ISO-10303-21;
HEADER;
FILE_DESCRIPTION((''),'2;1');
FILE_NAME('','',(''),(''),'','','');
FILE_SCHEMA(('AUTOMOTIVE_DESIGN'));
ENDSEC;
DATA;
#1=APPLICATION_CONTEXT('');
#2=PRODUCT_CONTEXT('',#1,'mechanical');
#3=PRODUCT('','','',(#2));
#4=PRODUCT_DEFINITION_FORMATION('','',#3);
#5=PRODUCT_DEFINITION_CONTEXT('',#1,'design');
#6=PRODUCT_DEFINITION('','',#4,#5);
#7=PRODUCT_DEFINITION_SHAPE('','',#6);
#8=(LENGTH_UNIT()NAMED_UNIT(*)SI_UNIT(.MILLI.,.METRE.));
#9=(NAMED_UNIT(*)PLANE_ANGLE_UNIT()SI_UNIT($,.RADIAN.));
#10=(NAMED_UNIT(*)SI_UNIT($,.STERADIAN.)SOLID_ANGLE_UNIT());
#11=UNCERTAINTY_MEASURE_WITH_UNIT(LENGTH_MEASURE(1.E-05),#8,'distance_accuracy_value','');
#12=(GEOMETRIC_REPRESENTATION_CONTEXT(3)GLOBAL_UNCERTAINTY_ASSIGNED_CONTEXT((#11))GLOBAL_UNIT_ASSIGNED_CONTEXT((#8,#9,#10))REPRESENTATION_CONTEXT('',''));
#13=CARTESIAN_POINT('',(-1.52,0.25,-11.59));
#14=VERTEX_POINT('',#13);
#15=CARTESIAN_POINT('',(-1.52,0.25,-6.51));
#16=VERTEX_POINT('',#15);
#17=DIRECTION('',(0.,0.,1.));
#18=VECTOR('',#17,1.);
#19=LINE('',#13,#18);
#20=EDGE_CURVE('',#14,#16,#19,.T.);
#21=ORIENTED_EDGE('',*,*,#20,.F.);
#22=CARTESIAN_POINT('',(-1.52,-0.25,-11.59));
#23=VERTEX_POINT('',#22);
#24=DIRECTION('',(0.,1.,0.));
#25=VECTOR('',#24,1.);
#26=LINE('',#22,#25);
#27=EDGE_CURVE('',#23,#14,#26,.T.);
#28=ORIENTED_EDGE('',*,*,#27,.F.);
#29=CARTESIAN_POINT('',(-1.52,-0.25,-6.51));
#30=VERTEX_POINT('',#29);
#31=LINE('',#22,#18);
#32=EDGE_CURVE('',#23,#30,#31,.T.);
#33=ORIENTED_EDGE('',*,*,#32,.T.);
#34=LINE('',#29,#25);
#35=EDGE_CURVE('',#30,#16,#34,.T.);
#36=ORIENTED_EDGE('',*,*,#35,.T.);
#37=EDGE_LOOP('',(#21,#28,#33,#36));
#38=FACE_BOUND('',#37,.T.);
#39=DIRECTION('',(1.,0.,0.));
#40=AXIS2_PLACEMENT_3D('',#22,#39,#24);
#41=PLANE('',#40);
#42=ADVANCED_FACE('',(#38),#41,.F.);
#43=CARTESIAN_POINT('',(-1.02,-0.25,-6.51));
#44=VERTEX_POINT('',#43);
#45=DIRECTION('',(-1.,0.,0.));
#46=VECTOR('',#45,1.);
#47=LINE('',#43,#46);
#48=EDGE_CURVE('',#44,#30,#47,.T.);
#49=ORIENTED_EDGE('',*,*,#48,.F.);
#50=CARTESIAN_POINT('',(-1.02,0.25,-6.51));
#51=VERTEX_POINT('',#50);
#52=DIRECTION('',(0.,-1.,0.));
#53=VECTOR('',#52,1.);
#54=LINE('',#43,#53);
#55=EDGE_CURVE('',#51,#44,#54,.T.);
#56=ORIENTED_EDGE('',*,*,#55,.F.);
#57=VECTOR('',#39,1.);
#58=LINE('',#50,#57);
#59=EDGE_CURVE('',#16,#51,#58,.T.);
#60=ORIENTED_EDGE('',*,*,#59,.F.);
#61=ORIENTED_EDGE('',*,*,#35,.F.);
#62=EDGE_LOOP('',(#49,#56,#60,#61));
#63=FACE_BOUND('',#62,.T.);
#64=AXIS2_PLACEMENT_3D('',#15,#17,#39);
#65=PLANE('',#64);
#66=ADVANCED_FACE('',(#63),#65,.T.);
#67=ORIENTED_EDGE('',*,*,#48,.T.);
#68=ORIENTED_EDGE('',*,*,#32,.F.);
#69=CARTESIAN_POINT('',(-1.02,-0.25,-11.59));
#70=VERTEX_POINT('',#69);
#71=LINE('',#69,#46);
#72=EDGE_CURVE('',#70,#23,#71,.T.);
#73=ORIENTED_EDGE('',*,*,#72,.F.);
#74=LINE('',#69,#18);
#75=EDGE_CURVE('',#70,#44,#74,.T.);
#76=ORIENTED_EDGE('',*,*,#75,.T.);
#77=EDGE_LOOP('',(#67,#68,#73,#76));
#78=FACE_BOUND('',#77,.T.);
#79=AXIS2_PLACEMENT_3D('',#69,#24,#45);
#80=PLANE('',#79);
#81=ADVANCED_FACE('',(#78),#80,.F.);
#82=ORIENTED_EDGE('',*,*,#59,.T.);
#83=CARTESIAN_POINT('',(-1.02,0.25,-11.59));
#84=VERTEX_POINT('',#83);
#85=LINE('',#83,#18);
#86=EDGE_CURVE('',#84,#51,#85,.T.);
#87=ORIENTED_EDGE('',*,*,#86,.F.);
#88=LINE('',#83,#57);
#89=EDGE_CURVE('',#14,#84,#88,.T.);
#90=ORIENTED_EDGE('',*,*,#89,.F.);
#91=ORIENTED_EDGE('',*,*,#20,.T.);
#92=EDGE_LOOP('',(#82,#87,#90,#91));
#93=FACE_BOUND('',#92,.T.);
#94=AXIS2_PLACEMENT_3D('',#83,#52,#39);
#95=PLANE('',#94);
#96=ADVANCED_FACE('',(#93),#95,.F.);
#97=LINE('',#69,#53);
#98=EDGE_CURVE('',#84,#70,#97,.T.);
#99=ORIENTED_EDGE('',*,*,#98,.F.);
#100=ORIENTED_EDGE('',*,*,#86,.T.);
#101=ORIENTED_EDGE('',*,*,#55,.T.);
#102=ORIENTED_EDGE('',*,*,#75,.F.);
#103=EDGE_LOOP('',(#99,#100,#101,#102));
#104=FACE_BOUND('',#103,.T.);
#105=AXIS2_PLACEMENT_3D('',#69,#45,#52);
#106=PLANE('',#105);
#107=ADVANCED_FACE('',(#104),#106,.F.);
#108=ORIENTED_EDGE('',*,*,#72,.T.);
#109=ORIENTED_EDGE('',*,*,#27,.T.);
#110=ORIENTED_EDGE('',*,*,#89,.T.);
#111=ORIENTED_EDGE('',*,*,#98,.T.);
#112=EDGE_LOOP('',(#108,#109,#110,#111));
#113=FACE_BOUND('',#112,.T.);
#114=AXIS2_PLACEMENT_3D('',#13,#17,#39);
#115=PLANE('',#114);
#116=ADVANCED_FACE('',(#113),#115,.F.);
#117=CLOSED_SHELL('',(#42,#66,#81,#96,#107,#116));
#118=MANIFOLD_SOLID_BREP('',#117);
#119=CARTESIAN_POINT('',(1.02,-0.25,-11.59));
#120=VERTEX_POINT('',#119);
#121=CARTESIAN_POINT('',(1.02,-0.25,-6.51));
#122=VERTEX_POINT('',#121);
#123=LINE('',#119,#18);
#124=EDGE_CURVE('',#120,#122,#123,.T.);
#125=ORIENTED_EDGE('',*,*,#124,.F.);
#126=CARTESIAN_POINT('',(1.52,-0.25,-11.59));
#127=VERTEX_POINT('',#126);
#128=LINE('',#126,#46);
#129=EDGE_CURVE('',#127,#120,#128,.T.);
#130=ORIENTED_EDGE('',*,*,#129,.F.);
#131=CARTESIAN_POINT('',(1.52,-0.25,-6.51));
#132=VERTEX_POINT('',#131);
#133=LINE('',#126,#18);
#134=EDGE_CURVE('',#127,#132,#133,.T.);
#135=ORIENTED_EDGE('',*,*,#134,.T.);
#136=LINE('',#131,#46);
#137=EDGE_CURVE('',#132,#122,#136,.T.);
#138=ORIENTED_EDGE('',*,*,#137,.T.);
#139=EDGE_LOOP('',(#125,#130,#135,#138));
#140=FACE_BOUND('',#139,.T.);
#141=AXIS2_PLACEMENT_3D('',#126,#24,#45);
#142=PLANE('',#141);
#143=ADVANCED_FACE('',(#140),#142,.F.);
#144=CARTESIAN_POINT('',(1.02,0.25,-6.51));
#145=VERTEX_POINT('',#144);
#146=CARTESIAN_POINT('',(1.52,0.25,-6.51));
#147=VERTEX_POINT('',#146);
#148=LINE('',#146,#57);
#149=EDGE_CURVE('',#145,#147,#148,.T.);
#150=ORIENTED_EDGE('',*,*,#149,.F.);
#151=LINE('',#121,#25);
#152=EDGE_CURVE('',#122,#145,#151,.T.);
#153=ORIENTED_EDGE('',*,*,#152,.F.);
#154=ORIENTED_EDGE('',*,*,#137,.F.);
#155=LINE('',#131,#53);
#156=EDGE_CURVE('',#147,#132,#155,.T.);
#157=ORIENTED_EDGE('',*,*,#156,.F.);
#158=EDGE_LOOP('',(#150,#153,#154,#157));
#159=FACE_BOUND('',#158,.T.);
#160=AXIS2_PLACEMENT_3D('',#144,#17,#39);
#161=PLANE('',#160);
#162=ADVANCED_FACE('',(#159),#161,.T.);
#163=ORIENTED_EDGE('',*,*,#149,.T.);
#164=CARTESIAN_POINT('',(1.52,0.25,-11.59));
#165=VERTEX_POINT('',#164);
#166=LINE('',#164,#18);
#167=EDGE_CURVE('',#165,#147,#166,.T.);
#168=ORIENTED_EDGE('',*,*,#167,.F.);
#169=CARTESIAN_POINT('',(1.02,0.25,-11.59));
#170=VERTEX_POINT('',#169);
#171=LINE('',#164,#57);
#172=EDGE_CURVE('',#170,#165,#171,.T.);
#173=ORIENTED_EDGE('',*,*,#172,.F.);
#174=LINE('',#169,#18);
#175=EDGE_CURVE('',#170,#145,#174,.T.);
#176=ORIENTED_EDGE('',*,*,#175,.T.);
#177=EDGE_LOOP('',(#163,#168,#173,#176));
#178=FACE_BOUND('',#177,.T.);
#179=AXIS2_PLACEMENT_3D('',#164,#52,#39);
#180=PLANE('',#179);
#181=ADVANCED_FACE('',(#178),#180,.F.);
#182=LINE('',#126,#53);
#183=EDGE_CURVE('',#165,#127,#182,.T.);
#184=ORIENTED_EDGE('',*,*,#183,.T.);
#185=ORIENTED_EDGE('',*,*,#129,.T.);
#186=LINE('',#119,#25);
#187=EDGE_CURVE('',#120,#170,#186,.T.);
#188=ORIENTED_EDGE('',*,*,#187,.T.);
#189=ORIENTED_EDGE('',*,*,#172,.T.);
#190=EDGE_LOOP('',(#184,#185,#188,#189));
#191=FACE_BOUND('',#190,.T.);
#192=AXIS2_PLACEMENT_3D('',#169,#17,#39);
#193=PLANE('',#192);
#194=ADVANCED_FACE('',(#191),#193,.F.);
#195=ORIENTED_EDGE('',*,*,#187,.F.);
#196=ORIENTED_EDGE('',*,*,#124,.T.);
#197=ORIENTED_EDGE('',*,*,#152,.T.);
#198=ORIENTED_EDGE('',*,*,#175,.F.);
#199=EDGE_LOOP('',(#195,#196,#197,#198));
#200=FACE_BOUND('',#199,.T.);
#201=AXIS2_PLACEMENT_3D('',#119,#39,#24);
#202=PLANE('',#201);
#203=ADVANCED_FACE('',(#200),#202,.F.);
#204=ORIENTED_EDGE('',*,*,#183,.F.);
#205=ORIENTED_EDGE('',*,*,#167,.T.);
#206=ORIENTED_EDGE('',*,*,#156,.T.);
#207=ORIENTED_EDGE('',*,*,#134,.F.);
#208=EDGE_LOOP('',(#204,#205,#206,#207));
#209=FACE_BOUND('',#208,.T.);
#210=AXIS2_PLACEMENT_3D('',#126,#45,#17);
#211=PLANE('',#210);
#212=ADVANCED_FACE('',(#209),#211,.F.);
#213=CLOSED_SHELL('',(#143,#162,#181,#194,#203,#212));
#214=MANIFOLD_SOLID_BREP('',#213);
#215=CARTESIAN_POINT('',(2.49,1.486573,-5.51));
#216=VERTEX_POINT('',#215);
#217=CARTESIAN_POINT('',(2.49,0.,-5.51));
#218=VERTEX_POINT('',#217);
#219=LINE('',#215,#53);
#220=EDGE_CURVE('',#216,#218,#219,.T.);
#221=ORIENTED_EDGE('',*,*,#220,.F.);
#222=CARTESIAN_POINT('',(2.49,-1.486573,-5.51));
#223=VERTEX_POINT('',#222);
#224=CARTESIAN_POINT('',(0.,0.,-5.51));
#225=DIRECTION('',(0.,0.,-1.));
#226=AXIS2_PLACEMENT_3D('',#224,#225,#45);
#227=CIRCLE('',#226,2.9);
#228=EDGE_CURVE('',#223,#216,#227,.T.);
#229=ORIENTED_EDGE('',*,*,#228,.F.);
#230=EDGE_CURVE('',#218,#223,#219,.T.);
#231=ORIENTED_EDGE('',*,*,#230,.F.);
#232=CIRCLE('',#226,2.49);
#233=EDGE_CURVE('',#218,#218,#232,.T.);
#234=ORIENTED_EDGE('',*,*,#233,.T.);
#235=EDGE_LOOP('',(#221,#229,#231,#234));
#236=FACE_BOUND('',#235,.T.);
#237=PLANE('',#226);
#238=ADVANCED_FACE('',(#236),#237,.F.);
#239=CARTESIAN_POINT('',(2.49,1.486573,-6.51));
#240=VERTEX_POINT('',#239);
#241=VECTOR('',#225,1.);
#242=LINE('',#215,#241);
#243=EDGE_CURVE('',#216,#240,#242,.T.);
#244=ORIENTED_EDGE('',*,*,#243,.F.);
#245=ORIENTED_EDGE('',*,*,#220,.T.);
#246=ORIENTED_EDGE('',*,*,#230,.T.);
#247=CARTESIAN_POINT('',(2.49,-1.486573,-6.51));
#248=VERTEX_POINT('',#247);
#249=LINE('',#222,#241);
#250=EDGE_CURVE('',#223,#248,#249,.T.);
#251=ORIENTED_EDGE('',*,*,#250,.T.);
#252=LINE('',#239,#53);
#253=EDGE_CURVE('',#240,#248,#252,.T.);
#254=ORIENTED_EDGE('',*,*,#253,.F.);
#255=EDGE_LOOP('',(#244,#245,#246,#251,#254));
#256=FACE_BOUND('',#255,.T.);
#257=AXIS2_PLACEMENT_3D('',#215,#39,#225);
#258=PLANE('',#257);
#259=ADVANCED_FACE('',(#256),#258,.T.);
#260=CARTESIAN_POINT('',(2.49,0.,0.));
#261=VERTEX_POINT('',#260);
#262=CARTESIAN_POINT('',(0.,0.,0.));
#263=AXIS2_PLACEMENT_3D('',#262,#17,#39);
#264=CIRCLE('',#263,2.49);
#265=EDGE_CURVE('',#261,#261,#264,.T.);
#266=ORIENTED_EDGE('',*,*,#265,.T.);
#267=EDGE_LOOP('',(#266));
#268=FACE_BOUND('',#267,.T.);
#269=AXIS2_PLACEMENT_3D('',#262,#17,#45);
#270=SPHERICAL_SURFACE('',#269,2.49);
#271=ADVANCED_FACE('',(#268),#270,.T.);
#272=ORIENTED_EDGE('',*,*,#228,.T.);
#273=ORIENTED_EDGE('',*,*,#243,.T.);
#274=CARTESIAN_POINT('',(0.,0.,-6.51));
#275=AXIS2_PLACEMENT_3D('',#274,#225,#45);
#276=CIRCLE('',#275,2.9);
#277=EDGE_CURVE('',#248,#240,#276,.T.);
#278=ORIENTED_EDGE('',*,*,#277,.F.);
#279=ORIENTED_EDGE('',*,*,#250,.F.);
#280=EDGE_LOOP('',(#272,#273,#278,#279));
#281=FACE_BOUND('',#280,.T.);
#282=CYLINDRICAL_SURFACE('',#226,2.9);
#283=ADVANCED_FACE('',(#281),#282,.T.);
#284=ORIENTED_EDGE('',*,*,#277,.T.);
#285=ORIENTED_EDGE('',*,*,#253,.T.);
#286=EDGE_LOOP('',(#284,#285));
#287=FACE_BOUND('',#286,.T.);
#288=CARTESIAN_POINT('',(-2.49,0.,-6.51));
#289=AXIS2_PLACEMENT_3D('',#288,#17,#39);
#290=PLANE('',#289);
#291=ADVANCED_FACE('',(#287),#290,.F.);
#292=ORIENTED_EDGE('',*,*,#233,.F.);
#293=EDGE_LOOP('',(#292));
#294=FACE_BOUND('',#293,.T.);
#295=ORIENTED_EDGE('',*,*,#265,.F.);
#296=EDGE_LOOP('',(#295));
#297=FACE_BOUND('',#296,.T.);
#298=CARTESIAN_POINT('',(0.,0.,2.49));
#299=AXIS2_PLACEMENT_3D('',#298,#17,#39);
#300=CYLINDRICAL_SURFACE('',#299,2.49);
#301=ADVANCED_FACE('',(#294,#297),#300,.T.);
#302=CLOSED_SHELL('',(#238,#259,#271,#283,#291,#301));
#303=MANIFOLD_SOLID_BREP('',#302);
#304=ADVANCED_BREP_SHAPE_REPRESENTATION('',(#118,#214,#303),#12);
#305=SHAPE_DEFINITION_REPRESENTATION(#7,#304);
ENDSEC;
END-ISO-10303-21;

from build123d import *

# Parameters (mm, degrees)
BOSS_EXTRUDE1_DEPTH   = 1
SKETCH3_W             = 0.5
SKETCH3_H             = 0.5
BOSS_EXTRUDE2_DEPTH   = 5.08
BOSS_EXTRUDE2_2_DEPTH = 5.08


with BuildPart() as part:
    # Sketch1 → Revolve1 (revolve)
    with BuildSketch(Plane(origin=(0, 0, 0), x_dir=(1, 0, 0), z_dir=(0, 1, 0)), mode=Mode.PRIVATE) as revolve1_sk:
        with BuildLine():
            Line((-2.49, 0), (-2.49, 6.51))
            Line((-2.49, 6.51), (0, 6.51))
            Line((0, 6.51), (0, -2.49))
            ThreePointArc((0, -2.49), (-1.760695885, -1.760695885), (-2.49, 0))
        make_face()
    revolve(revolve1_sk.sketch.rotate(Axis((0, 0, 2.49), (0, 0, -1)), 180), axis=Axis((0, 0, 2.49), (0, 0, -1)))  # turned: the seam where the file's is

    # Sketch2 → Boss-Extrude1 (add)
    with BuildSketch(Plane(origin=(0, 0, -6.51), x_dir=(-1, 0, 0), z_dir=(0, 0, -1))):
        with BuildLine():
            Line((-2.49, 1.486573241), (-2.49, -1.486573241))
            ThreePointArc((-2.49, -1.486573241), (2.9, 0), (-2.49, 1.486573241))
        make_face()
    extrude(amount=-BOSS_EXTRUDE1_DEPTH)


with BuildPart() as body_2:
    # Sketch3 → Boss-Extrude2 (new body)
    with BuildSketch(Plane(origin=(0, 0, -6.51), x_dir=(-1, 0, 0), z_dir=(0, 0, -1))):
        with Locations((-1.27, 0)):
            Rectangle(SKETCH3_W, SKETCH3_H)
    extrude(amount=BOSS_EXTRUDE2_DEPTH)


with BuildPart() as body_3:
    # Sketch3 → Boss-Extrude2 2 (new body)
    with BuildSketch(Plane(origin=(0, 0, -6.51), x_dir=(-1, 0, 0), z_dir=(0, 0, -1))):
        with Locations((1.27, 0)):
            Rectangle(SKETCH3_W, SKETCH3_H)
    extrude(amount=BOSS_EXTRUDE2_2_DEPTH)


solid = Compound([part.part, body_2.part, body_3.part])
